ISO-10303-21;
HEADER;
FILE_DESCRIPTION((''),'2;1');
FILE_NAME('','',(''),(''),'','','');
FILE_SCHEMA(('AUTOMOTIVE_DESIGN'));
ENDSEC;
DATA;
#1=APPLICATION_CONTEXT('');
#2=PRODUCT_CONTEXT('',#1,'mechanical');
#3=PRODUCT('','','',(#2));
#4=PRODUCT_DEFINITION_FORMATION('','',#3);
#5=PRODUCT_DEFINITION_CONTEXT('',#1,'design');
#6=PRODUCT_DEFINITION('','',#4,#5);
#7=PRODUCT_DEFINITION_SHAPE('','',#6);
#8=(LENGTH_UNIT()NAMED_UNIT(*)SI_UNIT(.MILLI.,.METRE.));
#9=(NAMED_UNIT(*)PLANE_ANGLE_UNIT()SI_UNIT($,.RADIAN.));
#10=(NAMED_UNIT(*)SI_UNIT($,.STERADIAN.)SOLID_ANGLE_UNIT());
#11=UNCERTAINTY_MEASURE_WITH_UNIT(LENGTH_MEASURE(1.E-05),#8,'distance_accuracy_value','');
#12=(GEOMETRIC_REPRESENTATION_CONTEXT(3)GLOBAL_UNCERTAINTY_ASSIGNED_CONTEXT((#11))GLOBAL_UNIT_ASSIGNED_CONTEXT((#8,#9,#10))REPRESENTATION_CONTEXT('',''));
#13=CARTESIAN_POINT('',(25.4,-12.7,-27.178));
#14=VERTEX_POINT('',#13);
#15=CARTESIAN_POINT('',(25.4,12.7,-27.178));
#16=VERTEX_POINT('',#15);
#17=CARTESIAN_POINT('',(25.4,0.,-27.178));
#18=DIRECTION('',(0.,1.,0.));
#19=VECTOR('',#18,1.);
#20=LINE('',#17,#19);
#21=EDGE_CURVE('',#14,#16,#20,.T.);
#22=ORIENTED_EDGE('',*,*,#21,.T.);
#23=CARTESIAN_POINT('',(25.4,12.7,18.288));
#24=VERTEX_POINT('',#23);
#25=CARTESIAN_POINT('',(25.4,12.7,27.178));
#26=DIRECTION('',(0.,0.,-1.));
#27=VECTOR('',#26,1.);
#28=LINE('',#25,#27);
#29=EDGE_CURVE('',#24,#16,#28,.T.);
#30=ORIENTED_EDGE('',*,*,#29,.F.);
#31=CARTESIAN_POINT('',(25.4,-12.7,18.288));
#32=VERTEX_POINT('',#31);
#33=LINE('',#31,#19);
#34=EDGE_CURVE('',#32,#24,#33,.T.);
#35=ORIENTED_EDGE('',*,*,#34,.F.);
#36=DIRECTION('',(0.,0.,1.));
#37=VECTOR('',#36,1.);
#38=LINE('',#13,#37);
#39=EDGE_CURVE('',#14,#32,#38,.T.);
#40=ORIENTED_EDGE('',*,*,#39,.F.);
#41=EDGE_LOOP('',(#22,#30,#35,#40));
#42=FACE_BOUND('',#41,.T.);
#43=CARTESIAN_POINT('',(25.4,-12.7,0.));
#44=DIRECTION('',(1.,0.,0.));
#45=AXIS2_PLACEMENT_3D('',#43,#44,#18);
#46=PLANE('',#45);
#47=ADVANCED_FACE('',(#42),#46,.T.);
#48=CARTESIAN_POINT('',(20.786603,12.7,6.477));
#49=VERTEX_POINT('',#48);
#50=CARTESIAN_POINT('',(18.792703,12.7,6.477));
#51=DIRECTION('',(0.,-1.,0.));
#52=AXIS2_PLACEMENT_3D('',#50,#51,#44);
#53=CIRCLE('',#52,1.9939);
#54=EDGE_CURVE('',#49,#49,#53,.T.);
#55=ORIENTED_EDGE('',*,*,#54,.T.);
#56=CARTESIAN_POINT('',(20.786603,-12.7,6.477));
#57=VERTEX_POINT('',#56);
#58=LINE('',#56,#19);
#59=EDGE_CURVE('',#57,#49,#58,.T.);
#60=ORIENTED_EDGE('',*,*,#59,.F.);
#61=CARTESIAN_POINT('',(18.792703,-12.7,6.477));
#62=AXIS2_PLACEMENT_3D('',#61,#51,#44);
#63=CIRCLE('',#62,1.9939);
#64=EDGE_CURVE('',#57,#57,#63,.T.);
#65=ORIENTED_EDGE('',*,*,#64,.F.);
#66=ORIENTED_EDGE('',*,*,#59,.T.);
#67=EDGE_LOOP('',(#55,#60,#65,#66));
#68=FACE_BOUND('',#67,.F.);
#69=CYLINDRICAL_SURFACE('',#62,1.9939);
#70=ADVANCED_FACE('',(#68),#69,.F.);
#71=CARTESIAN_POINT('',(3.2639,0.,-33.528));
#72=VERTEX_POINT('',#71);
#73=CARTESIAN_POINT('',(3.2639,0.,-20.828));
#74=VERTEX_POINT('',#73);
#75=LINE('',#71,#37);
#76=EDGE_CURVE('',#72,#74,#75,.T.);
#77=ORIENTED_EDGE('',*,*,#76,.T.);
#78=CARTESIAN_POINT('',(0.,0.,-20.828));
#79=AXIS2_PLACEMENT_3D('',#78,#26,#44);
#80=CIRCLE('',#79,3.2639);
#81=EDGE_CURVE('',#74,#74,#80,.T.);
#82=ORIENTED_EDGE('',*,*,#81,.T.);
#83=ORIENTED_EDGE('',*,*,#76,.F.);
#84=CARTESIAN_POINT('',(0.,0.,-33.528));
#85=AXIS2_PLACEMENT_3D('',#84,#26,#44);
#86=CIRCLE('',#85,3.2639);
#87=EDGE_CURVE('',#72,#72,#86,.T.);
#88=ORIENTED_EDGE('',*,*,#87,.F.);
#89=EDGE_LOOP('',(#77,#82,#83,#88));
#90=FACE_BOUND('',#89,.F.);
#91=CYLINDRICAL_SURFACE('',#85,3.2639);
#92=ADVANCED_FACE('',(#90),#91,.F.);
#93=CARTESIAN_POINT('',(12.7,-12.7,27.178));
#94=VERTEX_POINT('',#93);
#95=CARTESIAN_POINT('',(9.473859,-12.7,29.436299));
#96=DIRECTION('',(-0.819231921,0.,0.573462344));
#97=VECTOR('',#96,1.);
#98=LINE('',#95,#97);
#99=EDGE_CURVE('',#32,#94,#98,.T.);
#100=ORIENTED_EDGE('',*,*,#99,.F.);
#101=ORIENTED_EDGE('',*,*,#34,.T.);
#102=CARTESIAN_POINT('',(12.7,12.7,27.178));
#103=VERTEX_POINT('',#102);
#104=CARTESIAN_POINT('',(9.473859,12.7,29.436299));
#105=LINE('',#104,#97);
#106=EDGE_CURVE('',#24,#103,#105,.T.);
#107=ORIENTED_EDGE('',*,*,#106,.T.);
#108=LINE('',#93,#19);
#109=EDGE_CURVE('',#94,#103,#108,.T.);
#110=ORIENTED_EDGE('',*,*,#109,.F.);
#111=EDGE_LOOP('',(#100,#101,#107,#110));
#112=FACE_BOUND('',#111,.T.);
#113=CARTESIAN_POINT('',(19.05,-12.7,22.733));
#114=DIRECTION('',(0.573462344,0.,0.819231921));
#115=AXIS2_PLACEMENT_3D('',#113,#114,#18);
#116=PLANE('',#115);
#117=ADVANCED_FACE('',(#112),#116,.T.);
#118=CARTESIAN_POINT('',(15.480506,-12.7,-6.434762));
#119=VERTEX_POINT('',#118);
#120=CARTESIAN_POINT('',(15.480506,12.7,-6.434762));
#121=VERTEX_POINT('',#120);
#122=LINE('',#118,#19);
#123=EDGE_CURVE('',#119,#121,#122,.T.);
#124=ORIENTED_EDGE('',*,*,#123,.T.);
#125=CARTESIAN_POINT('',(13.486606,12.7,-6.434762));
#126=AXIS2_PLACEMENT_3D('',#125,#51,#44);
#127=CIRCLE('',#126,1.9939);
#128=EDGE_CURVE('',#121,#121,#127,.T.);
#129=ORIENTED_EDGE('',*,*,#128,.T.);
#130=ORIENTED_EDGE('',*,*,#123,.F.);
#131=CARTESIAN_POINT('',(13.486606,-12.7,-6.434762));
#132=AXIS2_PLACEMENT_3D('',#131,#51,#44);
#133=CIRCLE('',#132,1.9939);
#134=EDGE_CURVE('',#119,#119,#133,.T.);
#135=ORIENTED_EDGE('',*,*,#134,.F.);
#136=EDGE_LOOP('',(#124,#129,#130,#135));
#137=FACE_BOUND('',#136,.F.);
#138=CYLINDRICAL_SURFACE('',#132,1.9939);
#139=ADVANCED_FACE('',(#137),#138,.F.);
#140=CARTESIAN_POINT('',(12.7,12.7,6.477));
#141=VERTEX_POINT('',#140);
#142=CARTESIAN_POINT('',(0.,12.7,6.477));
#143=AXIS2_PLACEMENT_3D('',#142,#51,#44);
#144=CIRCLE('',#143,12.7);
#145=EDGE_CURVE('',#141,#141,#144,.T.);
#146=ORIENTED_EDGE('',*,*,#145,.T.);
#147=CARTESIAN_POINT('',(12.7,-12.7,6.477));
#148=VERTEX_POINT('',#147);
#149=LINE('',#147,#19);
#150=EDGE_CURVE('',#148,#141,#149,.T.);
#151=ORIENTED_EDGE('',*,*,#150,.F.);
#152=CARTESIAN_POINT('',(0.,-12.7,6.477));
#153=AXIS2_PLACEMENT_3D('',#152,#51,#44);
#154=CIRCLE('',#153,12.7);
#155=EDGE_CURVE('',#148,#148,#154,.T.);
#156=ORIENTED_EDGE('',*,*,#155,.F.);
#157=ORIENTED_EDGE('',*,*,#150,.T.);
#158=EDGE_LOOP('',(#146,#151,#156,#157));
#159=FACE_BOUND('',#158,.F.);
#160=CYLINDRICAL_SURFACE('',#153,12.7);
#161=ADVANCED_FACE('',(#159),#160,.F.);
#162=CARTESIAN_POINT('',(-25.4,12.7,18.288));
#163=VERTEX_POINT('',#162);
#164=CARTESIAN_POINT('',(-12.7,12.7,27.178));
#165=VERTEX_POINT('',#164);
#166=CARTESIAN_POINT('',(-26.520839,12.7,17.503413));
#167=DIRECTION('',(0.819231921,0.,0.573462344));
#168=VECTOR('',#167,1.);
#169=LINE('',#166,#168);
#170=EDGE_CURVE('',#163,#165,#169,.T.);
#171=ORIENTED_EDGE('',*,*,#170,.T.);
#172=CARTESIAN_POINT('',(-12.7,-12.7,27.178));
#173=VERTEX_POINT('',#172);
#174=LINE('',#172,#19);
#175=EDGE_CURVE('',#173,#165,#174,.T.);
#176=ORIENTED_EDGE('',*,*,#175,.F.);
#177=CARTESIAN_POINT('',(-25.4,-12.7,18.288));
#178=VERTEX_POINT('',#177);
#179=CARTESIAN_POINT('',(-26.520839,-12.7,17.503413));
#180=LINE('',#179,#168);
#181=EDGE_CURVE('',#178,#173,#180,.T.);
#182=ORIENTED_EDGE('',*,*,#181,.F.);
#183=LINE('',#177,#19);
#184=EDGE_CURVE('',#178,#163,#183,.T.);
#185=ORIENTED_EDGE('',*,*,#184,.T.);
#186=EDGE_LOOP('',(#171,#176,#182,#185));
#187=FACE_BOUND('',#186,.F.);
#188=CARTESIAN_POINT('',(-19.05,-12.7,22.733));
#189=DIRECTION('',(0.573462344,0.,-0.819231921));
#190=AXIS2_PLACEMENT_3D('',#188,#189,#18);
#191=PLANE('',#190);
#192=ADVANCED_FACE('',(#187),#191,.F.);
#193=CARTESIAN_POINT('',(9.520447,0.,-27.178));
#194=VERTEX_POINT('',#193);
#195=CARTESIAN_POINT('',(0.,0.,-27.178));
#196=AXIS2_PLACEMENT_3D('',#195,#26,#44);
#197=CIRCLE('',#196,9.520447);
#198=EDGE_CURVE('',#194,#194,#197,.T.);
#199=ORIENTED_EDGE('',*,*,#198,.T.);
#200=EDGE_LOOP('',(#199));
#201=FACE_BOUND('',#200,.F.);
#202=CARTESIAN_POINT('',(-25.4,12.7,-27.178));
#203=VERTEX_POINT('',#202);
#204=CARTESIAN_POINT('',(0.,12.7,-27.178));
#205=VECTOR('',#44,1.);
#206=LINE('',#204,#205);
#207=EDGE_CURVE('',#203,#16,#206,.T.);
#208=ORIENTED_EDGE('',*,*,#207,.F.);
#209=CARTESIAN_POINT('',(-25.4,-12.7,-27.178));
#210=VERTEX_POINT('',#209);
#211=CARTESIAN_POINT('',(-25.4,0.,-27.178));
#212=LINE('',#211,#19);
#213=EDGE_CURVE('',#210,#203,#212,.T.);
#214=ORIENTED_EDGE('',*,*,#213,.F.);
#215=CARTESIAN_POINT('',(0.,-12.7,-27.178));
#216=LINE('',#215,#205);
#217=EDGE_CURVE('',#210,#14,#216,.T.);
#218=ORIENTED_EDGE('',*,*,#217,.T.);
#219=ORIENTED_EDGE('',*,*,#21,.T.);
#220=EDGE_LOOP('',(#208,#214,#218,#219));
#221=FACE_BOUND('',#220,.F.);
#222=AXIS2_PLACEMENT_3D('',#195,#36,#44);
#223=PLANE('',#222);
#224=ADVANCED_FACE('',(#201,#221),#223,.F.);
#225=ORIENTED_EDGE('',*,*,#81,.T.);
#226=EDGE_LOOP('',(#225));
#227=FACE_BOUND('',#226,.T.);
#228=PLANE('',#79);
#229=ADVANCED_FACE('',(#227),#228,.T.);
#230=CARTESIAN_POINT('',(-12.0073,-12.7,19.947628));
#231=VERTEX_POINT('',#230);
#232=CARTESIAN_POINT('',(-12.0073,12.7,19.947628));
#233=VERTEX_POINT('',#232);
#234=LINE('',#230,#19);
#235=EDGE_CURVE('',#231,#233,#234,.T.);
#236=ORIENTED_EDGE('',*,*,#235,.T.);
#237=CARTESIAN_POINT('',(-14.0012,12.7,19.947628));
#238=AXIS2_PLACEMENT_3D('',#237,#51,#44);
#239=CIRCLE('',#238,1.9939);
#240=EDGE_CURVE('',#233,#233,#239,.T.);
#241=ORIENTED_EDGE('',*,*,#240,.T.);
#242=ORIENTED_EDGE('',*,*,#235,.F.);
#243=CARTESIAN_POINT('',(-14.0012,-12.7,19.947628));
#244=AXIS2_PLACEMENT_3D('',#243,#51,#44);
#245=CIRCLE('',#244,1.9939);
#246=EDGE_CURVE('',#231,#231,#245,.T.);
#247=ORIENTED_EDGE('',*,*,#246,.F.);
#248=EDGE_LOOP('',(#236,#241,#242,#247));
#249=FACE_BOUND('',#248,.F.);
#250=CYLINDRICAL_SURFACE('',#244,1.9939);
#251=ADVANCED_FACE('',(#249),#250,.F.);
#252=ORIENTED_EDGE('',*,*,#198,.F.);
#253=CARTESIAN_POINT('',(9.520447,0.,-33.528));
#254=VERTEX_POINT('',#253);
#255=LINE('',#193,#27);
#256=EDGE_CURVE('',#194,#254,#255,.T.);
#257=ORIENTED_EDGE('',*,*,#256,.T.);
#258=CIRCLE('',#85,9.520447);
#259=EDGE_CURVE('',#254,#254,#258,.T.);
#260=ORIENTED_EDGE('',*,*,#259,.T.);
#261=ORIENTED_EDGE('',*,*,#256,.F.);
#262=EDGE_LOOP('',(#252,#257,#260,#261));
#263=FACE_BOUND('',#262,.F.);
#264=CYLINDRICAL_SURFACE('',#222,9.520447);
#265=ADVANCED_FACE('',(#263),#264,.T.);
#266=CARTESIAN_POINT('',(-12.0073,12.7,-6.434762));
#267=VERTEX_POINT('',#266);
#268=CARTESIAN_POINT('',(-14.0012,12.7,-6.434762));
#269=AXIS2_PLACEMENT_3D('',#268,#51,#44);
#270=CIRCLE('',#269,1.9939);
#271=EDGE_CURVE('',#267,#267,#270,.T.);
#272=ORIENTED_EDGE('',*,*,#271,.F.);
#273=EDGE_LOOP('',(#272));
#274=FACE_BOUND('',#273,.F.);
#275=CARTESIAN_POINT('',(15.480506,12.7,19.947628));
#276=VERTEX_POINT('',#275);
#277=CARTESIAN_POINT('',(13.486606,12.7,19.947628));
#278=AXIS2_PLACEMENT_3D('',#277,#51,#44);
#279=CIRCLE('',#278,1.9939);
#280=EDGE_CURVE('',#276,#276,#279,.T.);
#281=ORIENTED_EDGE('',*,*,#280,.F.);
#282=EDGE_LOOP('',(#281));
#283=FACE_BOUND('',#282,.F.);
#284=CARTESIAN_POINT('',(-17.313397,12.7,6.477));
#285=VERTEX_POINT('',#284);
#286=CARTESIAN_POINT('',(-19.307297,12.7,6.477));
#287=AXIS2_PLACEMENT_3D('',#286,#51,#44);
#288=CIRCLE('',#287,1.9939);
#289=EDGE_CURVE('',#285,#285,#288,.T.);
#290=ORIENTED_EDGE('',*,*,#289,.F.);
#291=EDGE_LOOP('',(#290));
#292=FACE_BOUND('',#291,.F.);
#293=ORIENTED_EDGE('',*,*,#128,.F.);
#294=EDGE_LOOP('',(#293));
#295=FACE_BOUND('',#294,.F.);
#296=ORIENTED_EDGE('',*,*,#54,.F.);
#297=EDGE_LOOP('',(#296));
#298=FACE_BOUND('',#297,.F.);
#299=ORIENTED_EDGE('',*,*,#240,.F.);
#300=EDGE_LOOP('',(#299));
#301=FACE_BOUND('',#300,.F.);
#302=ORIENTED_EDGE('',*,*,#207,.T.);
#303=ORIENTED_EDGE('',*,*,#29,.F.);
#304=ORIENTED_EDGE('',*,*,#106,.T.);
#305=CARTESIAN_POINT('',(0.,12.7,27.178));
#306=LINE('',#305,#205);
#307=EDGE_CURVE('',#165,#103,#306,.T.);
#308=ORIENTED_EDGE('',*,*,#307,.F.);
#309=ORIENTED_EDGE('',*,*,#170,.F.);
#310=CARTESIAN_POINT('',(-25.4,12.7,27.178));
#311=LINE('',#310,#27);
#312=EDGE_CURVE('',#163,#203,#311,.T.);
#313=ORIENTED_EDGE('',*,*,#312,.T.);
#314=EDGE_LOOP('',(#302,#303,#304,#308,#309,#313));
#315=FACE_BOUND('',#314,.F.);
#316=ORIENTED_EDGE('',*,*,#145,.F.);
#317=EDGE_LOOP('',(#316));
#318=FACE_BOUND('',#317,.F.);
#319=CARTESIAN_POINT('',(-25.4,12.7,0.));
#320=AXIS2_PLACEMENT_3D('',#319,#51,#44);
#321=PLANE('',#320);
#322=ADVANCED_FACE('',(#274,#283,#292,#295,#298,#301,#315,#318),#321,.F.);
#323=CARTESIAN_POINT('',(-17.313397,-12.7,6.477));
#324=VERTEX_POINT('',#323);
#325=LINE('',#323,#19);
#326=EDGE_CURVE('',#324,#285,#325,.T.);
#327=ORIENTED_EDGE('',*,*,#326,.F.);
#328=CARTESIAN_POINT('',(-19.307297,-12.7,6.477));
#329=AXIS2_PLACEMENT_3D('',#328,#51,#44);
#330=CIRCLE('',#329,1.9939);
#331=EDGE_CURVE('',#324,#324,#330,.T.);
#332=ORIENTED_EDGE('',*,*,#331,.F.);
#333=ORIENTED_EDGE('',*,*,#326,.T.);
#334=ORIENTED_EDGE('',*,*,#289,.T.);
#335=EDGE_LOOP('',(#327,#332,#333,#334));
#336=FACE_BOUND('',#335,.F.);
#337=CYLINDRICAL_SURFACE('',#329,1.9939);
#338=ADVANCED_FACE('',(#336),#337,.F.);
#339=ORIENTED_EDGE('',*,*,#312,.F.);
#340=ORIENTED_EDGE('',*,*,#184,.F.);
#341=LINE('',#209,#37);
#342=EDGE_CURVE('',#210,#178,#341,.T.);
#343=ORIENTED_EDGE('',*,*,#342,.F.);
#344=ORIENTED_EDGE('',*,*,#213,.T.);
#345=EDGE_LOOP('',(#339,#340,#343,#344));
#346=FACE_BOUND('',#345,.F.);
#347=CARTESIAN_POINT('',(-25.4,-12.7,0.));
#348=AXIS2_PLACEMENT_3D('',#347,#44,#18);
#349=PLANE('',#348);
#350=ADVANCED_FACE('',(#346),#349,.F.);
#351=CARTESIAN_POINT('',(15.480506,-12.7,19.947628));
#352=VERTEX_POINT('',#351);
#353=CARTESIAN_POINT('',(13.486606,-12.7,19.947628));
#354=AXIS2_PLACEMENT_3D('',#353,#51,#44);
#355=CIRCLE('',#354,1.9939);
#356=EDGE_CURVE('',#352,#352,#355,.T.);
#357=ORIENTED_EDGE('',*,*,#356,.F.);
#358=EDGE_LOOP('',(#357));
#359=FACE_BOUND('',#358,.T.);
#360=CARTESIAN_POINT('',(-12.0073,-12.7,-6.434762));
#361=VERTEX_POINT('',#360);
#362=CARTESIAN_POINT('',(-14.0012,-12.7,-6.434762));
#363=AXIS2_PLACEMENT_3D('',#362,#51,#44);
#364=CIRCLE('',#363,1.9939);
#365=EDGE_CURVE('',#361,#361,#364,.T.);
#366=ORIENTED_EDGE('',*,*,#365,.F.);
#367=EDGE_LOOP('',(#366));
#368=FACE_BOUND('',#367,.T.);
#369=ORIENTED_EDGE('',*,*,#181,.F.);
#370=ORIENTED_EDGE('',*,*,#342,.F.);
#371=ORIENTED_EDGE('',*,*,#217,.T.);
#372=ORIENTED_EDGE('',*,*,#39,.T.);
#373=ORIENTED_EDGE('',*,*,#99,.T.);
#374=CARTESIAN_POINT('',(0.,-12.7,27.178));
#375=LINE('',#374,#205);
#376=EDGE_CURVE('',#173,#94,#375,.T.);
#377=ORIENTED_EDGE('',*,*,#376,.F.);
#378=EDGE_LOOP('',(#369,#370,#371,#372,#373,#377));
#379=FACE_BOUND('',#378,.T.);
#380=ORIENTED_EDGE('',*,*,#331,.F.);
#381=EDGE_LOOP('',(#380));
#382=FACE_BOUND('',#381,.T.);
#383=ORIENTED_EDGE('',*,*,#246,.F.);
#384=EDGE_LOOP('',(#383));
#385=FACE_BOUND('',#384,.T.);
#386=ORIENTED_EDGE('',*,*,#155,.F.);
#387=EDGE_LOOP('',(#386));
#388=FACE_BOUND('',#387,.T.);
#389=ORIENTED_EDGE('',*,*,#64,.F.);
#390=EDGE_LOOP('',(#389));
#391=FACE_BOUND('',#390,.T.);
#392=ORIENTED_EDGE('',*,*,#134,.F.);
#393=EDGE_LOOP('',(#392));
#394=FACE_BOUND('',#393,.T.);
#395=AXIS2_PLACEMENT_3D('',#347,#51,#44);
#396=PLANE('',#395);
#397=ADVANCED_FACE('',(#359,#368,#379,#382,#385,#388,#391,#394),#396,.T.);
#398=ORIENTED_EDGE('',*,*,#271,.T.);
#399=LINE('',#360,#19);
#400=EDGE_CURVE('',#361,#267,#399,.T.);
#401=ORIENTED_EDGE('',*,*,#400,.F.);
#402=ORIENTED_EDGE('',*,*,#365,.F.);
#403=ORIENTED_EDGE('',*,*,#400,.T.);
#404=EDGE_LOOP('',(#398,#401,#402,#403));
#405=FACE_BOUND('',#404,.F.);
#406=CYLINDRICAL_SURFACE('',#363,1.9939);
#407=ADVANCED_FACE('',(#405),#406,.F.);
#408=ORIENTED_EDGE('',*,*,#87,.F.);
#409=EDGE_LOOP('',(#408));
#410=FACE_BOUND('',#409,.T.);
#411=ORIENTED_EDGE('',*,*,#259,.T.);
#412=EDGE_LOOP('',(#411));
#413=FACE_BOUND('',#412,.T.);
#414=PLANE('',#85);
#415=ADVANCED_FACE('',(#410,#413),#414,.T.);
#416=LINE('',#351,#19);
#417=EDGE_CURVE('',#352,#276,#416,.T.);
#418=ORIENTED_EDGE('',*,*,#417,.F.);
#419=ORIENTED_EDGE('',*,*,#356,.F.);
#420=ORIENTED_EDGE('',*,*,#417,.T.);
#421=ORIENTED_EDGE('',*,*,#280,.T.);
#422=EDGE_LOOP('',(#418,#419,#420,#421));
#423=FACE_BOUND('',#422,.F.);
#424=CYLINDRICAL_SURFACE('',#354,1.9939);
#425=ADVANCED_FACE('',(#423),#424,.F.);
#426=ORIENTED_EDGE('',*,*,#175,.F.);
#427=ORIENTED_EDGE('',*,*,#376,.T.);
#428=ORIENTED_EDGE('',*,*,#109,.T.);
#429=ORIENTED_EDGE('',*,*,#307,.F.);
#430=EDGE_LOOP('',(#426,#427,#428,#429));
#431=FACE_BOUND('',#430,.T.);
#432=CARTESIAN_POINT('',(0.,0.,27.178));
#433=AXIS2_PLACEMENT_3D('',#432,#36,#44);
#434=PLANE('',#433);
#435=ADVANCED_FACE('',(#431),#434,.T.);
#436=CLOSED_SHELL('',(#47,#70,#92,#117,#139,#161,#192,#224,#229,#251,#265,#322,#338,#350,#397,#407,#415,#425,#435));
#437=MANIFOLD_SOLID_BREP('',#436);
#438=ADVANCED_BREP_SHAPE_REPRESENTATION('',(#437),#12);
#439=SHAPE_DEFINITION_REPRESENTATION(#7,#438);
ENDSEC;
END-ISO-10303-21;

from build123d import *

# Parameters (mm, degrees)
F0_W       = 50.8
F0_H       = 25.4
F1_DEPTH   = 27.178
F2_SIZE2   = 12.7
F2_SIZE    = 8.89
F2_2_SIZE2 = 12.7
F2_2_SIZE  = 8.89
F4_R       = 1.9939
F5_DEPTH   = 25.401
F3_R       = 12.7
F6_DEPTH   = 25.401
F7_R       = 9.5204472643
F8_DEPTH   = 6.35
F9_R       = 3.2639
F10_DEPTH  = 12.7


with BuildPart() as f1:
    # F0 (on Top) → F1 (new body, symmetric)
    with BuildSketch(Plane.XY):
        Rectangle(F0_W, F0_H)
    extrude(amount=F1_DEPTH, both=True)

    # F2
    f2_edges = [f1.edges().sort_by_distance(p)[0] for p in [
        (-25.4, 0, 27.178),
    ]]
    f2_side = f1.faces().sort_by_distance((-25.4, 0, 0))[0]
    chamfer(f2_edges, length=F2_SIZE, length2=F2_SIZE2, reference=f2_side)

    # F2#2
    f2_2_edges = [f1.edges().sort_by_distance(p)[0] for p in [
        (25.4, 0, 27.178),
    ]]
    f2_2_side = f1.faces().sort_by_distance((25.4, 0, 0))[0]
    chamfer(f2_2_edges, length=F2_2_SIZE, length2=F2_2_SIZE2, reference=f2_2_side)

    # F4 (on face) → F5 (cut, through all)
    with BuildSketch(Plane.XZ.offset(12.7)):
        with Locations((-14.0012001136, 19.9476279852)):
            Circle(F4_R)
        with Locations((13.4866058279, 19.9476279852)):
            Circle(F4_R)
        with Locations((18.7927028571, 6.477)):
            Circle(F4_R)
        with Locations((13.4866058279, -6.4347624395)):
            Circle(F4_R)
        with Locations((-14.0012001136, -6.4347624395)):
            Circle(F4_R)
        with Locations((-19.3072971429, 6.477)):
            Circle(F4_R)
    extrude(amount=-F5_DEPTH, mode=Mode.SUBTRACT)

    # F3 (on face) → F6 (cut, through all)
    with BuildSketch(Plane.XZ.offset(12.7)):
        with Locations((0, 6.477)):
            Circle(F3_R)
    extrude(amount=-F6_DEPTH, mode=Mode.SUBTRACT)

    # F7 (on face) → F8 (join)
    with BuildSketch(Plane(origin=(0, 0, -27.178), x_dir=(1, 0, 0), z_dir=(0, 0, -1))):
        Circle(F7_R)
    extrude(amount=F8_DEPTH)

    # F9 (on face) → F10 (cut)
    with BuildSketch(Plane(origin=(0, 0, -33.528), x_dir=(1, 0, 0), z_dir=(0, 0, -1))):
        Circle(F9_R)
    extrude(amount=-F10_DEPTH, mode=Mode.SUBTRACT)


solid = f1.part
